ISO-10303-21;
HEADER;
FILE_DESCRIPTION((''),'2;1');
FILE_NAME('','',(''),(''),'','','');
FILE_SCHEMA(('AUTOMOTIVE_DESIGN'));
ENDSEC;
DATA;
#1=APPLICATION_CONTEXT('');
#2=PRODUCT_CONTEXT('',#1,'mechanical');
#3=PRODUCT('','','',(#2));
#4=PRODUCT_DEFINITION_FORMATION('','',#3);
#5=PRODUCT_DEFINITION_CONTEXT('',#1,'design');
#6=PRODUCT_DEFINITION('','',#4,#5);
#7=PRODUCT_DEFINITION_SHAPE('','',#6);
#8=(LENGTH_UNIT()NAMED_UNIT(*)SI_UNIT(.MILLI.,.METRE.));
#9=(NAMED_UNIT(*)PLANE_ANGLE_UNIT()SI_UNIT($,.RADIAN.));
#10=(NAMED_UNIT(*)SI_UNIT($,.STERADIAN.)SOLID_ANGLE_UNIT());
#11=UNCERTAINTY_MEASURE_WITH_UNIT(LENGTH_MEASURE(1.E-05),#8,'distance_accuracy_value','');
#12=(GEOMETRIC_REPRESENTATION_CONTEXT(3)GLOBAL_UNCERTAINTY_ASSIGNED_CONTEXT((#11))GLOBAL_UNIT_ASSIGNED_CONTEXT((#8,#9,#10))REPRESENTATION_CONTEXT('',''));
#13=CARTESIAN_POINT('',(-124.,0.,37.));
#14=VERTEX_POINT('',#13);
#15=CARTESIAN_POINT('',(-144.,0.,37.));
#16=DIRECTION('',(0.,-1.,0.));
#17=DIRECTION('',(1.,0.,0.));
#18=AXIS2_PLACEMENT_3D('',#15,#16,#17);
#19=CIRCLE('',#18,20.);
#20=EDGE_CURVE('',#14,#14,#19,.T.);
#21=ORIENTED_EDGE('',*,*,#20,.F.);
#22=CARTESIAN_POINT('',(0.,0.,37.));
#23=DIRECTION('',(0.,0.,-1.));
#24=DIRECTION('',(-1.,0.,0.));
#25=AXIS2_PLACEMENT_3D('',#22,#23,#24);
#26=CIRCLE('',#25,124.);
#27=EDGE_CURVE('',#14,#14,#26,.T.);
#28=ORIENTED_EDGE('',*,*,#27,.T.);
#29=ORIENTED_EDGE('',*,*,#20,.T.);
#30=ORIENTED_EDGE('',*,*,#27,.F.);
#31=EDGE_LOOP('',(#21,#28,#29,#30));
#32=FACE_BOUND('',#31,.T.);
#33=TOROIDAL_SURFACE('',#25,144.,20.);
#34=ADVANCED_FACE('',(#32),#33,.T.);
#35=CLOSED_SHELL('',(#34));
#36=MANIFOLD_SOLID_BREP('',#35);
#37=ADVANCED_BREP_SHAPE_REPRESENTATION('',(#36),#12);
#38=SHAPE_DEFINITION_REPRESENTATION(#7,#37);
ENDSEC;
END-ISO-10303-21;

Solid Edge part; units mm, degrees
sketch "Sketch1" plane through (0, 0, 0) normal (0, -1, 0) x (1, 0, 0)
  circle A0 centre (-144, 37) radius 20
  dimension "D1" = 40
  dimension "D2" = 124
  dimension "D3" = 13
  dimension "D4" = 40
revolve "RevolvedProtrusion1" add sketch "Sketch1" angle 360 about axis through (0, 0, 54) along (0, 0, -1)
